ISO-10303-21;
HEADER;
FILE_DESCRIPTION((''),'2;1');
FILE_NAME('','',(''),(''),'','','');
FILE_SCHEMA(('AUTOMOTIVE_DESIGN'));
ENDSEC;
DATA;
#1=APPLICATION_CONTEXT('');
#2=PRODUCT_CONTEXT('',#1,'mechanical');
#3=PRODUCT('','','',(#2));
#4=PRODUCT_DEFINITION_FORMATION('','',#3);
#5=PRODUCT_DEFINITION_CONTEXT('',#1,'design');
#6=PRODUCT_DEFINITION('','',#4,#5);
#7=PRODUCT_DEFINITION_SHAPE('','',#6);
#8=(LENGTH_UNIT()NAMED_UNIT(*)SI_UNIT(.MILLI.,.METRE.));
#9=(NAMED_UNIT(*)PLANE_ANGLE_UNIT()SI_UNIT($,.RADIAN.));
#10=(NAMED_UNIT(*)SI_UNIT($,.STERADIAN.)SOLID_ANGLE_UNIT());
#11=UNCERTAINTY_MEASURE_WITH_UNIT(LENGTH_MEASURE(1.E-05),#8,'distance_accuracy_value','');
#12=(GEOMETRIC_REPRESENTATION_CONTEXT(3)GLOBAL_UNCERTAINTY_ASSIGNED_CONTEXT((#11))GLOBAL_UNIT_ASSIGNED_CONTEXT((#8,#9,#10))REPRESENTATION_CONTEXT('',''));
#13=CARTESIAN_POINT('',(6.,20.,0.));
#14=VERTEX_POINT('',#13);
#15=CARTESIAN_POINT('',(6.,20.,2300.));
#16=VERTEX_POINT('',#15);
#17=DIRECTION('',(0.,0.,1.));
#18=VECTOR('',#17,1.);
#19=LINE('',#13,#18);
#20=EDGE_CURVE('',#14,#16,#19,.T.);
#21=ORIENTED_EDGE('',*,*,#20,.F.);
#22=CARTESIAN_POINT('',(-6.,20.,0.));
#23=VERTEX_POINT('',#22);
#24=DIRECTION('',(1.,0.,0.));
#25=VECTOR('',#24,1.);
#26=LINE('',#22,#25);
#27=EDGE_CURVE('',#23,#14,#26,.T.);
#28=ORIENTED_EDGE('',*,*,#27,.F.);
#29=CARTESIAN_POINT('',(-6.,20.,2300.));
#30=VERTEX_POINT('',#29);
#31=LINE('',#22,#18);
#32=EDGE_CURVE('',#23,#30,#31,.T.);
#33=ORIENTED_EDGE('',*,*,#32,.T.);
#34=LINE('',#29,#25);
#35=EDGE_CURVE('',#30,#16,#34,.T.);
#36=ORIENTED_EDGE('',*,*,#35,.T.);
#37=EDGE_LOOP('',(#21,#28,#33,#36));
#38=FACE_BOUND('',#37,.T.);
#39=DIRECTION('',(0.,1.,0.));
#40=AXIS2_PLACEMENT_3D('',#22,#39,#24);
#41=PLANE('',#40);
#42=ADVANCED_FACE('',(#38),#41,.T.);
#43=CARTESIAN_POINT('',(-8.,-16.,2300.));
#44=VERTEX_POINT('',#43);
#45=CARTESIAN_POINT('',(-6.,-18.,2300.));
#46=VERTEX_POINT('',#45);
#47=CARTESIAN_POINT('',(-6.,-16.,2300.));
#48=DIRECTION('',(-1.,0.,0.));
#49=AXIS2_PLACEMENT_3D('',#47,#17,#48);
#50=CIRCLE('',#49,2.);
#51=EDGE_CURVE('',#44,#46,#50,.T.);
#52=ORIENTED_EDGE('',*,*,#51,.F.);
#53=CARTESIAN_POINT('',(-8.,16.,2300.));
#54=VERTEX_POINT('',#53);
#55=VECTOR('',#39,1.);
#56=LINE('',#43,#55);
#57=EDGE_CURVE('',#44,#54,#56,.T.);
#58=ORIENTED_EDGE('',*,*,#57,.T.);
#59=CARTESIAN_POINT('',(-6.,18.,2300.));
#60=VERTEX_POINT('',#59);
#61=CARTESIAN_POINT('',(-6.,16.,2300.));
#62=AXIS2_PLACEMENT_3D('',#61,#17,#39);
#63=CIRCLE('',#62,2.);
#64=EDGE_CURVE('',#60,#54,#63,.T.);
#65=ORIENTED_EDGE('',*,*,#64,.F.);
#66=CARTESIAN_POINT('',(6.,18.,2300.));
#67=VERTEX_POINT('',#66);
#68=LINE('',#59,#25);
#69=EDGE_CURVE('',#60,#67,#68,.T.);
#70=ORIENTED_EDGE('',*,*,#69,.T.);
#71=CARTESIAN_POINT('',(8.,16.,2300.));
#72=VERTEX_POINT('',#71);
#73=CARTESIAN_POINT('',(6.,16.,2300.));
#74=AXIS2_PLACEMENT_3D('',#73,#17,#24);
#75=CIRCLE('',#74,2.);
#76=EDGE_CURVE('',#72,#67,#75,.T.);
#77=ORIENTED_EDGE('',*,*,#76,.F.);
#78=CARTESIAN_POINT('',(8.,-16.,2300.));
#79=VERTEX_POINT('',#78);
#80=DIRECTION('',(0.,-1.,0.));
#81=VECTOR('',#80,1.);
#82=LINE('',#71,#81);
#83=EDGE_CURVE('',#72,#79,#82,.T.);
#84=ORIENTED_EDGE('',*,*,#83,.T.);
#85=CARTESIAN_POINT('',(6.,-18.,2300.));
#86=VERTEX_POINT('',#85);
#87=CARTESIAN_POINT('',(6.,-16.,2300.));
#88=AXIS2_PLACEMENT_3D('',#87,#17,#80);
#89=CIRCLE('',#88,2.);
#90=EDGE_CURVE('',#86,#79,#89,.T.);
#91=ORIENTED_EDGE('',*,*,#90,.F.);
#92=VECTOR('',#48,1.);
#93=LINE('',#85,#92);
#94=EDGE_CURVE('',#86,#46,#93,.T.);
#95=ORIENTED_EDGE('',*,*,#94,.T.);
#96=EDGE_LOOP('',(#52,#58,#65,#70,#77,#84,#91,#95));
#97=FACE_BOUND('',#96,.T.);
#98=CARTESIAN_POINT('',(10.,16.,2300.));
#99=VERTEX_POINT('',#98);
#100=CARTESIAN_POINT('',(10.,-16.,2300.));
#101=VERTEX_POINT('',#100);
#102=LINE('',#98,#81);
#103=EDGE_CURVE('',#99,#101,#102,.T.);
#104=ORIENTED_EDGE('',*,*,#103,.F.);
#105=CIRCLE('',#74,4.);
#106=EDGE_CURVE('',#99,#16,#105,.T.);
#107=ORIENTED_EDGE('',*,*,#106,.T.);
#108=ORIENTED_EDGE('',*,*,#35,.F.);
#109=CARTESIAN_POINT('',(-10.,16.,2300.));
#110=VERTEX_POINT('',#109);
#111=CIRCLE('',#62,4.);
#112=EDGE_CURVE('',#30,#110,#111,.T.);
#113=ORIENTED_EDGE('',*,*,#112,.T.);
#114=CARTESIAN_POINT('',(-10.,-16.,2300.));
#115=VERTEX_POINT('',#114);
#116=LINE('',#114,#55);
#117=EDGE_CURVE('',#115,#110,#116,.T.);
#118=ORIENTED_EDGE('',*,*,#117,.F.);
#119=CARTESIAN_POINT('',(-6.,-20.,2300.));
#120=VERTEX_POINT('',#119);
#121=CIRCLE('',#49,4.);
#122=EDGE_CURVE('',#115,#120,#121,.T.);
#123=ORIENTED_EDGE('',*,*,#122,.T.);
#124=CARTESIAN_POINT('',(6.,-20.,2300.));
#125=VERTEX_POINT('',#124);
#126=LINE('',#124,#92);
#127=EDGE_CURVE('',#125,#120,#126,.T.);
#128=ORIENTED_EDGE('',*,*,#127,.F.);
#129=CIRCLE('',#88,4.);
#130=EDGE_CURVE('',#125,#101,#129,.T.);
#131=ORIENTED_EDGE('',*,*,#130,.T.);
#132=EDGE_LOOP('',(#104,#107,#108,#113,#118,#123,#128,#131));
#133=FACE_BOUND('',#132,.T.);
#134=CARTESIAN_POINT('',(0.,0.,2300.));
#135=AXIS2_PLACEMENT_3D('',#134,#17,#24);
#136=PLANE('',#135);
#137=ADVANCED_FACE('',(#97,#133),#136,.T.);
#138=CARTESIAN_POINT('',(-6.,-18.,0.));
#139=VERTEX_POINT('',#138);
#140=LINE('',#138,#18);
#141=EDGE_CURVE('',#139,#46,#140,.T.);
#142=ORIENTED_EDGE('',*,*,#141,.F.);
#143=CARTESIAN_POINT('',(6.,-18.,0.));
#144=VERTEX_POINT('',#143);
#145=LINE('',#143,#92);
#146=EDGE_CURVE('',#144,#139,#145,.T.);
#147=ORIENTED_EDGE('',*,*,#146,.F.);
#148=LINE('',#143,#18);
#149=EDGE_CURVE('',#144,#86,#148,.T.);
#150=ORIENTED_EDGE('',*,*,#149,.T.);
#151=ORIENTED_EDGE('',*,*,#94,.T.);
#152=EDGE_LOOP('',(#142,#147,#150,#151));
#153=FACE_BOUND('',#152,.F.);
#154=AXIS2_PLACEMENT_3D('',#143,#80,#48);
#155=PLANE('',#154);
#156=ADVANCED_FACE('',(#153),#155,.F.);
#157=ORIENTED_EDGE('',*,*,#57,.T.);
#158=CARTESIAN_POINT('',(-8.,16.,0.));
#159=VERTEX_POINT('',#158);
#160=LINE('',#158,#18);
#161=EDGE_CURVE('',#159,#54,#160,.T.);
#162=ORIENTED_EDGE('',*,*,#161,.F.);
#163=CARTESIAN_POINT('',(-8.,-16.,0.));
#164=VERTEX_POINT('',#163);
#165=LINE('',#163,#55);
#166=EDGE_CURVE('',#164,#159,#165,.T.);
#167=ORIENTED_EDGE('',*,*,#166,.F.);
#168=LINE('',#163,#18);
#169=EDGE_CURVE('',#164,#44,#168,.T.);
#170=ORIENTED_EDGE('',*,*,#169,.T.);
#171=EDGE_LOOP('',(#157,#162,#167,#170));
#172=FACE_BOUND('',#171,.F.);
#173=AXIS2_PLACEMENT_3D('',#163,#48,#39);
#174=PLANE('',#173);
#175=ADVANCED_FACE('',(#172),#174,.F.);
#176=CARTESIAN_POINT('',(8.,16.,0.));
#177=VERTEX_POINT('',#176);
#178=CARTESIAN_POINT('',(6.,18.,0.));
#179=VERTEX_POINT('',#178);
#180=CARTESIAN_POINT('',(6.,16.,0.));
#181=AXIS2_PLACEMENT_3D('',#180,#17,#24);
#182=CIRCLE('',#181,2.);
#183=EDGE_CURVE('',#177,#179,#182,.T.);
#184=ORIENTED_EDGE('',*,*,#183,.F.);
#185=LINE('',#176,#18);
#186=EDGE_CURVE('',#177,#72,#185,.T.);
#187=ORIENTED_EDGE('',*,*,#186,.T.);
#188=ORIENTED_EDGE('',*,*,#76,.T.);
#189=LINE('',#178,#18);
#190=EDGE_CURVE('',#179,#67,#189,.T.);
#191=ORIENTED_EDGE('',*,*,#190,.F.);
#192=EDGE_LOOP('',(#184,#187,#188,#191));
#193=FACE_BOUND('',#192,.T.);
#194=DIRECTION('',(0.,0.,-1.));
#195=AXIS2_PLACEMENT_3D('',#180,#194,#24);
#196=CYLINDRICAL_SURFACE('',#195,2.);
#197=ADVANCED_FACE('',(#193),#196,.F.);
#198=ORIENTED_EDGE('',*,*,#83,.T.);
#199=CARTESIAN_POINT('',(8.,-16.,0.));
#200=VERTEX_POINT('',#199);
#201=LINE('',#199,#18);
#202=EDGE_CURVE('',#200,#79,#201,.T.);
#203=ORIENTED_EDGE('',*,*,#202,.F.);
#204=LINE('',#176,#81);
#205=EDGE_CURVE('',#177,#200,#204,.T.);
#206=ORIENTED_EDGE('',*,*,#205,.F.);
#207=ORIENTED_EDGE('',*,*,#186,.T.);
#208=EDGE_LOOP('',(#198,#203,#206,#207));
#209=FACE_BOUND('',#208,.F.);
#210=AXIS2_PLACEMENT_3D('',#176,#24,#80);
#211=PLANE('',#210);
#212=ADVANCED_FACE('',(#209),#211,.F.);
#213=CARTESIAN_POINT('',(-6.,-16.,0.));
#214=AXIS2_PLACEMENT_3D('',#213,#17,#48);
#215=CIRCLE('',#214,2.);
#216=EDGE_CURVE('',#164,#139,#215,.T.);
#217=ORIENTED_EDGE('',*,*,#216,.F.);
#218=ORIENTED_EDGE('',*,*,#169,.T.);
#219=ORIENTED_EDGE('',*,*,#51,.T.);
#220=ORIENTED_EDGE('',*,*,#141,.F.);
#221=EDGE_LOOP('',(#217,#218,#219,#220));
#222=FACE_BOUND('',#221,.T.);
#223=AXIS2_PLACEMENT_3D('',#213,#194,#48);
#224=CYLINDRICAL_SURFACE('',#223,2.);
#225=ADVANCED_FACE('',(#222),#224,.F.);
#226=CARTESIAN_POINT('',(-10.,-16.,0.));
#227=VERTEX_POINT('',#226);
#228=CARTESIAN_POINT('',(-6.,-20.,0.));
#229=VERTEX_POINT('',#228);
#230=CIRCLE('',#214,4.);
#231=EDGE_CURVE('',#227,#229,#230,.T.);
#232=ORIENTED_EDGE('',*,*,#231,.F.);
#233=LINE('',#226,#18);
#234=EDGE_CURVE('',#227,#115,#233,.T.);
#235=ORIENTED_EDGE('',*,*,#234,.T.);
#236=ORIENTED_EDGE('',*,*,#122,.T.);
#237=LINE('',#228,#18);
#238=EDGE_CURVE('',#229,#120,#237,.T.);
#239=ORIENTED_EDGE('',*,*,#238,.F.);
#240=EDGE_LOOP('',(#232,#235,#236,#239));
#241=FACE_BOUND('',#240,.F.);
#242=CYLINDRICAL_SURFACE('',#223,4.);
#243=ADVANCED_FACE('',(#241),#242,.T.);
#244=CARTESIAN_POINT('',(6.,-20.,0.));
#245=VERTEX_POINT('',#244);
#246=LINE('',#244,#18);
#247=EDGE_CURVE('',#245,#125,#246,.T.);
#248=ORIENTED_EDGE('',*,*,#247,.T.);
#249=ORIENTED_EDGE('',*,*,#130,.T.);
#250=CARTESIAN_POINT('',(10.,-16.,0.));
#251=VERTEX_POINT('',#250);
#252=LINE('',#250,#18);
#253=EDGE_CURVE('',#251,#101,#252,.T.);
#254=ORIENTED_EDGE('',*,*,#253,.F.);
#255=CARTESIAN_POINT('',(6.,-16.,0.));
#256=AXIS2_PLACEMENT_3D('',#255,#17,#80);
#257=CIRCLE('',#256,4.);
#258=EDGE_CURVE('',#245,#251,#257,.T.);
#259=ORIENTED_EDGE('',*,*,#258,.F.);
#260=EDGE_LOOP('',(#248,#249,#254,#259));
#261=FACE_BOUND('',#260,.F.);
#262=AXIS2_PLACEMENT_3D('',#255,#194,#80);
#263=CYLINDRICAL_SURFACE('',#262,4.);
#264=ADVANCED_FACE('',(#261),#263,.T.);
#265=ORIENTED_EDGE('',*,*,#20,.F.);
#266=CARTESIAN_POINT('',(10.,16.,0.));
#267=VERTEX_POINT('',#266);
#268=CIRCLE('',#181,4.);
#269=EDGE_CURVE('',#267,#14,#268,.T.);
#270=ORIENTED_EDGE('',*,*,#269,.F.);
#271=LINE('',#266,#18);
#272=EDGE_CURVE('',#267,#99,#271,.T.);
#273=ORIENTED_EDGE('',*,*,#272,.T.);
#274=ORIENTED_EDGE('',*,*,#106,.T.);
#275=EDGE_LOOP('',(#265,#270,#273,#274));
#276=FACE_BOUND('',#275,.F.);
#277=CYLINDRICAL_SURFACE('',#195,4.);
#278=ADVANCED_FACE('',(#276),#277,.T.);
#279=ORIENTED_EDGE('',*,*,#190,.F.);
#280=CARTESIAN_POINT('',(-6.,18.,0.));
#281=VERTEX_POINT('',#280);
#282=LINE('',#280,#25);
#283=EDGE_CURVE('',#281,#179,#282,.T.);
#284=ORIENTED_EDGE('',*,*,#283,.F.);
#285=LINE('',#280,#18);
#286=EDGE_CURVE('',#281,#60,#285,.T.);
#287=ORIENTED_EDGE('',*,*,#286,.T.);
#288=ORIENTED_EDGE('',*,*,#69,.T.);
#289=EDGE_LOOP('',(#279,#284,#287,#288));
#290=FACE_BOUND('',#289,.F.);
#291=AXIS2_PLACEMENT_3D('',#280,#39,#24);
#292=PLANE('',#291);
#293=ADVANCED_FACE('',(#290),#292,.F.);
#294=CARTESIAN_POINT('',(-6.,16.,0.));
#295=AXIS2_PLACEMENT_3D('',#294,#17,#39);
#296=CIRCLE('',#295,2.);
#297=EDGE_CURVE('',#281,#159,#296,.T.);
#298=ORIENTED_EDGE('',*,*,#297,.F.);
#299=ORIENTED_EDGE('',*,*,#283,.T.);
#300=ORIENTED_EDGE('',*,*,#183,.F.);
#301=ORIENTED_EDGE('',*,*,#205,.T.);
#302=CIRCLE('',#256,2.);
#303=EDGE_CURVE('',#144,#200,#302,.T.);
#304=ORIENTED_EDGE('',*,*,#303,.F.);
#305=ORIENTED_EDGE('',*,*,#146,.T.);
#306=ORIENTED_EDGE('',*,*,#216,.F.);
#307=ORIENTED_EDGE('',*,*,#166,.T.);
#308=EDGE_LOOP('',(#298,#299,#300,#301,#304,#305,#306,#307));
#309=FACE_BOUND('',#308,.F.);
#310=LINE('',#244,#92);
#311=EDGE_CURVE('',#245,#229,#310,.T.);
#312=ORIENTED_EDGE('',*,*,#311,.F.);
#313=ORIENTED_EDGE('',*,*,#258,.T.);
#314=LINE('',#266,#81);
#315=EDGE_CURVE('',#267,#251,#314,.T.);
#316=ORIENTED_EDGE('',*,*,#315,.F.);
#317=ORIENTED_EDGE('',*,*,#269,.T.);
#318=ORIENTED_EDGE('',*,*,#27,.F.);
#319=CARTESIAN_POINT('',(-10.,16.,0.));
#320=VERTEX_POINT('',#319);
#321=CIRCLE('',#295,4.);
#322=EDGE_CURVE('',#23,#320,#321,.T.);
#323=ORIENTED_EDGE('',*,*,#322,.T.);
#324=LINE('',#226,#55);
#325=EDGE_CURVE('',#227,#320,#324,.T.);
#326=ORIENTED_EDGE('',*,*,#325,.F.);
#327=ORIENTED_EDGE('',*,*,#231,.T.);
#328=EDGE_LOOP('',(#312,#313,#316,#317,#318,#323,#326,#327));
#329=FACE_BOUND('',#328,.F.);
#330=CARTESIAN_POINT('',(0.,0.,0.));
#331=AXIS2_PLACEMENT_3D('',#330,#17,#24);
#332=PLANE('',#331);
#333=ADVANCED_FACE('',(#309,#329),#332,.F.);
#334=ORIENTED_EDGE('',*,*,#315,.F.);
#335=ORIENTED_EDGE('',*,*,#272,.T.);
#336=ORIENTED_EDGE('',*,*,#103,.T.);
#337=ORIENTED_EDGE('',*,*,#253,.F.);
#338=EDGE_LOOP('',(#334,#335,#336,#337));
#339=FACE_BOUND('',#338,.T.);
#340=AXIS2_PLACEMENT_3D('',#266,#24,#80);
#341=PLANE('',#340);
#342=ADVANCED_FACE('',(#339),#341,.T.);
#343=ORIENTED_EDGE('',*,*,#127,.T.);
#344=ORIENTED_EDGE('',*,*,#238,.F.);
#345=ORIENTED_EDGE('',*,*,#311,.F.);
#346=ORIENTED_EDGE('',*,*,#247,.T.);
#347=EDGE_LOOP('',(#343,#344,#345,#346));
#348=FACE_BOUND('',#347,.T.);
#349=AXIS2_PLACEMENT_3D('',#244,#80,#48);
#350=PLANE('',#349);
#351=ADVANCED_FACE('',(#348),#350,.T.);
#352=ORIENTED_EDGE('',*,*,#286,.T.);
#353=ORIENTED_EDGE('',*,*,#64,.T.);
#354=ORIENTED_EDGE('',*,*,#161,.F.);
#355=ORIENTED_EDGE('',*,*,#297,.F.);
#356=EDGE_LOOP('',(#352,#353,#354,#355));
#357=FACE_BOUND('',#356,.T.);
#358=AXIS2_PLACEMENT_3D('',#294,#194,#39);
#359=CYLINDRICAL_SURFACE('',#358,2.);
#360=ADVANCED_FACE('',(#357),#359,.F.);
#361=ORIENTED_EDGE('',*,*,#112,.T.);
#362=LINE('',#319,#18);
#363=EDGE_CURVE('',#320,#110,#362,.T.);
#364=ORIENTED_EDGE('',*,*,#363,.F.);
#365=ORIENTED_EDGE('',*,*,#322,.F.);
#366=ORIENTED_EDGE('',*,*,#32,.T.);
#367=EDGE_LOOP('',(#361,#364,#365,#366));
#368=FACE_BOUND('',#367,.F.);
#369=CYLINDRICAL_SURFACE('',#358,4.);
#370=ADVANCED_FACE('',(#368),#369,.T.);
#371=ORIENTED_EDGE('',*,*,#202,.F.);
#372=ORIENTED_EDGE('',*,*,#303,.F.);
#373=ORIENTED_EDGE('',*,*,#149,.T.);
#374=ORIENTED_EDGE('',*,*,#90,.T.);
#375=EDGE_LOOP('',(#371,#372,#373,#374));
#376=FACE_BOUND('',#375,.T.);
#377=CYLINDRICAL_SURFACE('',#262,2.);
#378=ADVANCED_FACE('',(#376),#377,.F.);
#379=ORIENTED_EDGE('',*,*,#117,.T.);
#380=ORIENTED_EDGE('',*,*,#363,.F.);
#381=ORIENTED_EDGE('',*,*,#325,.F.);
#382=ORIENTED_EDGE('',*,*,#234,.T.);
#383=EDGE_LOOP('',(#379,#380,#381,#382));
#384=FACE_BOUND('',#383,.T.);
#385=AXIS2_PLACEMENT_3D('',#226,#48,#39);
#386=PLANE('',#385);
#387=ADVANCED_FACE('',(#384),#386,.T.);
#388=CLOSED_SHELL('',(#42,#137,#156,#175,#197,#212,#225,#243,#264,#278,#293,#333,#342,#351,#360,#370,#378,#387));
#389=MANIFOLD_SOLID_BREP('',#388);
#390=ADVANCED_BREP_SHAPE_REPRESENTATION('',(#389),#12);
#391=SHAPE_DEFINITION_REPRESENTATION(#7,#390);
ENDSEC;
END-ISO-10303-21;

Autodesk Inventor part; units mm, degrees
ref_plane "YZ Plane" through (0, 0, 0) normal (1, 0, 0) x (0, 1, 0)
ref_plane "Start Plane" through (0, 0, 0) normal (0, 0, 1) x (1, 0, 0)
ref_plane "End Plane" through (0, 0, 2300) normal (0, 0, 1) x (1, 0, 0)
sketch "Sketch" plane through (0, 0, 0) normal (0, 0, 1) x (1, 0, 0)
  line L0 (-10, -16) -> (-10, 16)
  line L1 (-6, 20) -> (6, 20)
  line L2 (10, 16) -> (10, -16)
  line L3 (6, -20) -> (-6, -20)
  arc A0 (-10, -16) -> (-6, -20) centre (-6, -16) ccw
  arc A1 (10, 16) -> (6, 20) centre (6, 16) ccw
  arc A2 (-6, 20) -> (-10, 16) centre (-6, 16) ccw
  arc A3 (6, -20) -> (10, -16) centre (6, -16) ccw
  arc A4 (-6, 18) -> (-8, 16) centre (-6, 16) ccw
  line L4 (-6, 18) -> (6, 18)
  arc A5 (8, 16) -> (6, 18) centre (6, 16) ccw
  line L5 (8, 16) -> (8, -16)
  arc A6 (6, -18) -> (8, -16) centre (6, -16) ccw
  line L6 (6, -18) -> (-6, -18)
  arc A7 (-8, -16) -> (-6, -18) centre (-6, -16) ccw
  line L7 (-8, -16) -> (-8, 16)
  line L8 (0, 29.1598) -> (0, -29.1598) construction
  line L9 (-15.1598, 0) -> (15.1598, 0) construction
  dimension "d7" = 4
  dimension "d9" = 20
  dimension "d11" = 40
  dimension "d12" = 2
  dimension "d15" = 10
  dimension "d16" = 20
extrude "Body" add sketch "Sketch" along normal up to surface (2300 mm away) from surface at 0
sketch "Sketch3" plane through (0, 0, 0) normal (0, 0, 1) x (1, 0, 0)
  line L0 (0, 0) -> (10, 0)
ref_plane "Work Plane3" through (0, 0, 0) normal (0, -1, 0) x (1, 0, 0)
sketch "Sketch4" plane through (0, 0, 0) normal (0, -1, 0) x (1, 0, 0)
  line L0 (-2, 0) -> (12, 0)
  line L1 (-2, 2300) -> (12, 2300)
  dimension "d18" = 2300
equation "\"d7\" = G_IR"
equation "\"d9\" = G_W"
equation "\"d11\" = G_H"
equation "\"d12\" = G_T"
equation "\"d15\" = 0.5 * d9"
equation "\"d16\" = 0.5 * d11"
equation "\"d3\" = G_L"
equation "\"G_W\" = 20"
equation "\"G_H\" = 40"
equation "\"G_T\" = 2"
equation "\"G_IR\" = 4"
equation "\"G_L\" = d18"
equation "\"G_OFFSET_START\" = 0"
equation "\"G_OFFSET_END\" = 0"
properties part number "ISO 10799-2 - 40x20x2 - 2300" material "Steel, Mild"
